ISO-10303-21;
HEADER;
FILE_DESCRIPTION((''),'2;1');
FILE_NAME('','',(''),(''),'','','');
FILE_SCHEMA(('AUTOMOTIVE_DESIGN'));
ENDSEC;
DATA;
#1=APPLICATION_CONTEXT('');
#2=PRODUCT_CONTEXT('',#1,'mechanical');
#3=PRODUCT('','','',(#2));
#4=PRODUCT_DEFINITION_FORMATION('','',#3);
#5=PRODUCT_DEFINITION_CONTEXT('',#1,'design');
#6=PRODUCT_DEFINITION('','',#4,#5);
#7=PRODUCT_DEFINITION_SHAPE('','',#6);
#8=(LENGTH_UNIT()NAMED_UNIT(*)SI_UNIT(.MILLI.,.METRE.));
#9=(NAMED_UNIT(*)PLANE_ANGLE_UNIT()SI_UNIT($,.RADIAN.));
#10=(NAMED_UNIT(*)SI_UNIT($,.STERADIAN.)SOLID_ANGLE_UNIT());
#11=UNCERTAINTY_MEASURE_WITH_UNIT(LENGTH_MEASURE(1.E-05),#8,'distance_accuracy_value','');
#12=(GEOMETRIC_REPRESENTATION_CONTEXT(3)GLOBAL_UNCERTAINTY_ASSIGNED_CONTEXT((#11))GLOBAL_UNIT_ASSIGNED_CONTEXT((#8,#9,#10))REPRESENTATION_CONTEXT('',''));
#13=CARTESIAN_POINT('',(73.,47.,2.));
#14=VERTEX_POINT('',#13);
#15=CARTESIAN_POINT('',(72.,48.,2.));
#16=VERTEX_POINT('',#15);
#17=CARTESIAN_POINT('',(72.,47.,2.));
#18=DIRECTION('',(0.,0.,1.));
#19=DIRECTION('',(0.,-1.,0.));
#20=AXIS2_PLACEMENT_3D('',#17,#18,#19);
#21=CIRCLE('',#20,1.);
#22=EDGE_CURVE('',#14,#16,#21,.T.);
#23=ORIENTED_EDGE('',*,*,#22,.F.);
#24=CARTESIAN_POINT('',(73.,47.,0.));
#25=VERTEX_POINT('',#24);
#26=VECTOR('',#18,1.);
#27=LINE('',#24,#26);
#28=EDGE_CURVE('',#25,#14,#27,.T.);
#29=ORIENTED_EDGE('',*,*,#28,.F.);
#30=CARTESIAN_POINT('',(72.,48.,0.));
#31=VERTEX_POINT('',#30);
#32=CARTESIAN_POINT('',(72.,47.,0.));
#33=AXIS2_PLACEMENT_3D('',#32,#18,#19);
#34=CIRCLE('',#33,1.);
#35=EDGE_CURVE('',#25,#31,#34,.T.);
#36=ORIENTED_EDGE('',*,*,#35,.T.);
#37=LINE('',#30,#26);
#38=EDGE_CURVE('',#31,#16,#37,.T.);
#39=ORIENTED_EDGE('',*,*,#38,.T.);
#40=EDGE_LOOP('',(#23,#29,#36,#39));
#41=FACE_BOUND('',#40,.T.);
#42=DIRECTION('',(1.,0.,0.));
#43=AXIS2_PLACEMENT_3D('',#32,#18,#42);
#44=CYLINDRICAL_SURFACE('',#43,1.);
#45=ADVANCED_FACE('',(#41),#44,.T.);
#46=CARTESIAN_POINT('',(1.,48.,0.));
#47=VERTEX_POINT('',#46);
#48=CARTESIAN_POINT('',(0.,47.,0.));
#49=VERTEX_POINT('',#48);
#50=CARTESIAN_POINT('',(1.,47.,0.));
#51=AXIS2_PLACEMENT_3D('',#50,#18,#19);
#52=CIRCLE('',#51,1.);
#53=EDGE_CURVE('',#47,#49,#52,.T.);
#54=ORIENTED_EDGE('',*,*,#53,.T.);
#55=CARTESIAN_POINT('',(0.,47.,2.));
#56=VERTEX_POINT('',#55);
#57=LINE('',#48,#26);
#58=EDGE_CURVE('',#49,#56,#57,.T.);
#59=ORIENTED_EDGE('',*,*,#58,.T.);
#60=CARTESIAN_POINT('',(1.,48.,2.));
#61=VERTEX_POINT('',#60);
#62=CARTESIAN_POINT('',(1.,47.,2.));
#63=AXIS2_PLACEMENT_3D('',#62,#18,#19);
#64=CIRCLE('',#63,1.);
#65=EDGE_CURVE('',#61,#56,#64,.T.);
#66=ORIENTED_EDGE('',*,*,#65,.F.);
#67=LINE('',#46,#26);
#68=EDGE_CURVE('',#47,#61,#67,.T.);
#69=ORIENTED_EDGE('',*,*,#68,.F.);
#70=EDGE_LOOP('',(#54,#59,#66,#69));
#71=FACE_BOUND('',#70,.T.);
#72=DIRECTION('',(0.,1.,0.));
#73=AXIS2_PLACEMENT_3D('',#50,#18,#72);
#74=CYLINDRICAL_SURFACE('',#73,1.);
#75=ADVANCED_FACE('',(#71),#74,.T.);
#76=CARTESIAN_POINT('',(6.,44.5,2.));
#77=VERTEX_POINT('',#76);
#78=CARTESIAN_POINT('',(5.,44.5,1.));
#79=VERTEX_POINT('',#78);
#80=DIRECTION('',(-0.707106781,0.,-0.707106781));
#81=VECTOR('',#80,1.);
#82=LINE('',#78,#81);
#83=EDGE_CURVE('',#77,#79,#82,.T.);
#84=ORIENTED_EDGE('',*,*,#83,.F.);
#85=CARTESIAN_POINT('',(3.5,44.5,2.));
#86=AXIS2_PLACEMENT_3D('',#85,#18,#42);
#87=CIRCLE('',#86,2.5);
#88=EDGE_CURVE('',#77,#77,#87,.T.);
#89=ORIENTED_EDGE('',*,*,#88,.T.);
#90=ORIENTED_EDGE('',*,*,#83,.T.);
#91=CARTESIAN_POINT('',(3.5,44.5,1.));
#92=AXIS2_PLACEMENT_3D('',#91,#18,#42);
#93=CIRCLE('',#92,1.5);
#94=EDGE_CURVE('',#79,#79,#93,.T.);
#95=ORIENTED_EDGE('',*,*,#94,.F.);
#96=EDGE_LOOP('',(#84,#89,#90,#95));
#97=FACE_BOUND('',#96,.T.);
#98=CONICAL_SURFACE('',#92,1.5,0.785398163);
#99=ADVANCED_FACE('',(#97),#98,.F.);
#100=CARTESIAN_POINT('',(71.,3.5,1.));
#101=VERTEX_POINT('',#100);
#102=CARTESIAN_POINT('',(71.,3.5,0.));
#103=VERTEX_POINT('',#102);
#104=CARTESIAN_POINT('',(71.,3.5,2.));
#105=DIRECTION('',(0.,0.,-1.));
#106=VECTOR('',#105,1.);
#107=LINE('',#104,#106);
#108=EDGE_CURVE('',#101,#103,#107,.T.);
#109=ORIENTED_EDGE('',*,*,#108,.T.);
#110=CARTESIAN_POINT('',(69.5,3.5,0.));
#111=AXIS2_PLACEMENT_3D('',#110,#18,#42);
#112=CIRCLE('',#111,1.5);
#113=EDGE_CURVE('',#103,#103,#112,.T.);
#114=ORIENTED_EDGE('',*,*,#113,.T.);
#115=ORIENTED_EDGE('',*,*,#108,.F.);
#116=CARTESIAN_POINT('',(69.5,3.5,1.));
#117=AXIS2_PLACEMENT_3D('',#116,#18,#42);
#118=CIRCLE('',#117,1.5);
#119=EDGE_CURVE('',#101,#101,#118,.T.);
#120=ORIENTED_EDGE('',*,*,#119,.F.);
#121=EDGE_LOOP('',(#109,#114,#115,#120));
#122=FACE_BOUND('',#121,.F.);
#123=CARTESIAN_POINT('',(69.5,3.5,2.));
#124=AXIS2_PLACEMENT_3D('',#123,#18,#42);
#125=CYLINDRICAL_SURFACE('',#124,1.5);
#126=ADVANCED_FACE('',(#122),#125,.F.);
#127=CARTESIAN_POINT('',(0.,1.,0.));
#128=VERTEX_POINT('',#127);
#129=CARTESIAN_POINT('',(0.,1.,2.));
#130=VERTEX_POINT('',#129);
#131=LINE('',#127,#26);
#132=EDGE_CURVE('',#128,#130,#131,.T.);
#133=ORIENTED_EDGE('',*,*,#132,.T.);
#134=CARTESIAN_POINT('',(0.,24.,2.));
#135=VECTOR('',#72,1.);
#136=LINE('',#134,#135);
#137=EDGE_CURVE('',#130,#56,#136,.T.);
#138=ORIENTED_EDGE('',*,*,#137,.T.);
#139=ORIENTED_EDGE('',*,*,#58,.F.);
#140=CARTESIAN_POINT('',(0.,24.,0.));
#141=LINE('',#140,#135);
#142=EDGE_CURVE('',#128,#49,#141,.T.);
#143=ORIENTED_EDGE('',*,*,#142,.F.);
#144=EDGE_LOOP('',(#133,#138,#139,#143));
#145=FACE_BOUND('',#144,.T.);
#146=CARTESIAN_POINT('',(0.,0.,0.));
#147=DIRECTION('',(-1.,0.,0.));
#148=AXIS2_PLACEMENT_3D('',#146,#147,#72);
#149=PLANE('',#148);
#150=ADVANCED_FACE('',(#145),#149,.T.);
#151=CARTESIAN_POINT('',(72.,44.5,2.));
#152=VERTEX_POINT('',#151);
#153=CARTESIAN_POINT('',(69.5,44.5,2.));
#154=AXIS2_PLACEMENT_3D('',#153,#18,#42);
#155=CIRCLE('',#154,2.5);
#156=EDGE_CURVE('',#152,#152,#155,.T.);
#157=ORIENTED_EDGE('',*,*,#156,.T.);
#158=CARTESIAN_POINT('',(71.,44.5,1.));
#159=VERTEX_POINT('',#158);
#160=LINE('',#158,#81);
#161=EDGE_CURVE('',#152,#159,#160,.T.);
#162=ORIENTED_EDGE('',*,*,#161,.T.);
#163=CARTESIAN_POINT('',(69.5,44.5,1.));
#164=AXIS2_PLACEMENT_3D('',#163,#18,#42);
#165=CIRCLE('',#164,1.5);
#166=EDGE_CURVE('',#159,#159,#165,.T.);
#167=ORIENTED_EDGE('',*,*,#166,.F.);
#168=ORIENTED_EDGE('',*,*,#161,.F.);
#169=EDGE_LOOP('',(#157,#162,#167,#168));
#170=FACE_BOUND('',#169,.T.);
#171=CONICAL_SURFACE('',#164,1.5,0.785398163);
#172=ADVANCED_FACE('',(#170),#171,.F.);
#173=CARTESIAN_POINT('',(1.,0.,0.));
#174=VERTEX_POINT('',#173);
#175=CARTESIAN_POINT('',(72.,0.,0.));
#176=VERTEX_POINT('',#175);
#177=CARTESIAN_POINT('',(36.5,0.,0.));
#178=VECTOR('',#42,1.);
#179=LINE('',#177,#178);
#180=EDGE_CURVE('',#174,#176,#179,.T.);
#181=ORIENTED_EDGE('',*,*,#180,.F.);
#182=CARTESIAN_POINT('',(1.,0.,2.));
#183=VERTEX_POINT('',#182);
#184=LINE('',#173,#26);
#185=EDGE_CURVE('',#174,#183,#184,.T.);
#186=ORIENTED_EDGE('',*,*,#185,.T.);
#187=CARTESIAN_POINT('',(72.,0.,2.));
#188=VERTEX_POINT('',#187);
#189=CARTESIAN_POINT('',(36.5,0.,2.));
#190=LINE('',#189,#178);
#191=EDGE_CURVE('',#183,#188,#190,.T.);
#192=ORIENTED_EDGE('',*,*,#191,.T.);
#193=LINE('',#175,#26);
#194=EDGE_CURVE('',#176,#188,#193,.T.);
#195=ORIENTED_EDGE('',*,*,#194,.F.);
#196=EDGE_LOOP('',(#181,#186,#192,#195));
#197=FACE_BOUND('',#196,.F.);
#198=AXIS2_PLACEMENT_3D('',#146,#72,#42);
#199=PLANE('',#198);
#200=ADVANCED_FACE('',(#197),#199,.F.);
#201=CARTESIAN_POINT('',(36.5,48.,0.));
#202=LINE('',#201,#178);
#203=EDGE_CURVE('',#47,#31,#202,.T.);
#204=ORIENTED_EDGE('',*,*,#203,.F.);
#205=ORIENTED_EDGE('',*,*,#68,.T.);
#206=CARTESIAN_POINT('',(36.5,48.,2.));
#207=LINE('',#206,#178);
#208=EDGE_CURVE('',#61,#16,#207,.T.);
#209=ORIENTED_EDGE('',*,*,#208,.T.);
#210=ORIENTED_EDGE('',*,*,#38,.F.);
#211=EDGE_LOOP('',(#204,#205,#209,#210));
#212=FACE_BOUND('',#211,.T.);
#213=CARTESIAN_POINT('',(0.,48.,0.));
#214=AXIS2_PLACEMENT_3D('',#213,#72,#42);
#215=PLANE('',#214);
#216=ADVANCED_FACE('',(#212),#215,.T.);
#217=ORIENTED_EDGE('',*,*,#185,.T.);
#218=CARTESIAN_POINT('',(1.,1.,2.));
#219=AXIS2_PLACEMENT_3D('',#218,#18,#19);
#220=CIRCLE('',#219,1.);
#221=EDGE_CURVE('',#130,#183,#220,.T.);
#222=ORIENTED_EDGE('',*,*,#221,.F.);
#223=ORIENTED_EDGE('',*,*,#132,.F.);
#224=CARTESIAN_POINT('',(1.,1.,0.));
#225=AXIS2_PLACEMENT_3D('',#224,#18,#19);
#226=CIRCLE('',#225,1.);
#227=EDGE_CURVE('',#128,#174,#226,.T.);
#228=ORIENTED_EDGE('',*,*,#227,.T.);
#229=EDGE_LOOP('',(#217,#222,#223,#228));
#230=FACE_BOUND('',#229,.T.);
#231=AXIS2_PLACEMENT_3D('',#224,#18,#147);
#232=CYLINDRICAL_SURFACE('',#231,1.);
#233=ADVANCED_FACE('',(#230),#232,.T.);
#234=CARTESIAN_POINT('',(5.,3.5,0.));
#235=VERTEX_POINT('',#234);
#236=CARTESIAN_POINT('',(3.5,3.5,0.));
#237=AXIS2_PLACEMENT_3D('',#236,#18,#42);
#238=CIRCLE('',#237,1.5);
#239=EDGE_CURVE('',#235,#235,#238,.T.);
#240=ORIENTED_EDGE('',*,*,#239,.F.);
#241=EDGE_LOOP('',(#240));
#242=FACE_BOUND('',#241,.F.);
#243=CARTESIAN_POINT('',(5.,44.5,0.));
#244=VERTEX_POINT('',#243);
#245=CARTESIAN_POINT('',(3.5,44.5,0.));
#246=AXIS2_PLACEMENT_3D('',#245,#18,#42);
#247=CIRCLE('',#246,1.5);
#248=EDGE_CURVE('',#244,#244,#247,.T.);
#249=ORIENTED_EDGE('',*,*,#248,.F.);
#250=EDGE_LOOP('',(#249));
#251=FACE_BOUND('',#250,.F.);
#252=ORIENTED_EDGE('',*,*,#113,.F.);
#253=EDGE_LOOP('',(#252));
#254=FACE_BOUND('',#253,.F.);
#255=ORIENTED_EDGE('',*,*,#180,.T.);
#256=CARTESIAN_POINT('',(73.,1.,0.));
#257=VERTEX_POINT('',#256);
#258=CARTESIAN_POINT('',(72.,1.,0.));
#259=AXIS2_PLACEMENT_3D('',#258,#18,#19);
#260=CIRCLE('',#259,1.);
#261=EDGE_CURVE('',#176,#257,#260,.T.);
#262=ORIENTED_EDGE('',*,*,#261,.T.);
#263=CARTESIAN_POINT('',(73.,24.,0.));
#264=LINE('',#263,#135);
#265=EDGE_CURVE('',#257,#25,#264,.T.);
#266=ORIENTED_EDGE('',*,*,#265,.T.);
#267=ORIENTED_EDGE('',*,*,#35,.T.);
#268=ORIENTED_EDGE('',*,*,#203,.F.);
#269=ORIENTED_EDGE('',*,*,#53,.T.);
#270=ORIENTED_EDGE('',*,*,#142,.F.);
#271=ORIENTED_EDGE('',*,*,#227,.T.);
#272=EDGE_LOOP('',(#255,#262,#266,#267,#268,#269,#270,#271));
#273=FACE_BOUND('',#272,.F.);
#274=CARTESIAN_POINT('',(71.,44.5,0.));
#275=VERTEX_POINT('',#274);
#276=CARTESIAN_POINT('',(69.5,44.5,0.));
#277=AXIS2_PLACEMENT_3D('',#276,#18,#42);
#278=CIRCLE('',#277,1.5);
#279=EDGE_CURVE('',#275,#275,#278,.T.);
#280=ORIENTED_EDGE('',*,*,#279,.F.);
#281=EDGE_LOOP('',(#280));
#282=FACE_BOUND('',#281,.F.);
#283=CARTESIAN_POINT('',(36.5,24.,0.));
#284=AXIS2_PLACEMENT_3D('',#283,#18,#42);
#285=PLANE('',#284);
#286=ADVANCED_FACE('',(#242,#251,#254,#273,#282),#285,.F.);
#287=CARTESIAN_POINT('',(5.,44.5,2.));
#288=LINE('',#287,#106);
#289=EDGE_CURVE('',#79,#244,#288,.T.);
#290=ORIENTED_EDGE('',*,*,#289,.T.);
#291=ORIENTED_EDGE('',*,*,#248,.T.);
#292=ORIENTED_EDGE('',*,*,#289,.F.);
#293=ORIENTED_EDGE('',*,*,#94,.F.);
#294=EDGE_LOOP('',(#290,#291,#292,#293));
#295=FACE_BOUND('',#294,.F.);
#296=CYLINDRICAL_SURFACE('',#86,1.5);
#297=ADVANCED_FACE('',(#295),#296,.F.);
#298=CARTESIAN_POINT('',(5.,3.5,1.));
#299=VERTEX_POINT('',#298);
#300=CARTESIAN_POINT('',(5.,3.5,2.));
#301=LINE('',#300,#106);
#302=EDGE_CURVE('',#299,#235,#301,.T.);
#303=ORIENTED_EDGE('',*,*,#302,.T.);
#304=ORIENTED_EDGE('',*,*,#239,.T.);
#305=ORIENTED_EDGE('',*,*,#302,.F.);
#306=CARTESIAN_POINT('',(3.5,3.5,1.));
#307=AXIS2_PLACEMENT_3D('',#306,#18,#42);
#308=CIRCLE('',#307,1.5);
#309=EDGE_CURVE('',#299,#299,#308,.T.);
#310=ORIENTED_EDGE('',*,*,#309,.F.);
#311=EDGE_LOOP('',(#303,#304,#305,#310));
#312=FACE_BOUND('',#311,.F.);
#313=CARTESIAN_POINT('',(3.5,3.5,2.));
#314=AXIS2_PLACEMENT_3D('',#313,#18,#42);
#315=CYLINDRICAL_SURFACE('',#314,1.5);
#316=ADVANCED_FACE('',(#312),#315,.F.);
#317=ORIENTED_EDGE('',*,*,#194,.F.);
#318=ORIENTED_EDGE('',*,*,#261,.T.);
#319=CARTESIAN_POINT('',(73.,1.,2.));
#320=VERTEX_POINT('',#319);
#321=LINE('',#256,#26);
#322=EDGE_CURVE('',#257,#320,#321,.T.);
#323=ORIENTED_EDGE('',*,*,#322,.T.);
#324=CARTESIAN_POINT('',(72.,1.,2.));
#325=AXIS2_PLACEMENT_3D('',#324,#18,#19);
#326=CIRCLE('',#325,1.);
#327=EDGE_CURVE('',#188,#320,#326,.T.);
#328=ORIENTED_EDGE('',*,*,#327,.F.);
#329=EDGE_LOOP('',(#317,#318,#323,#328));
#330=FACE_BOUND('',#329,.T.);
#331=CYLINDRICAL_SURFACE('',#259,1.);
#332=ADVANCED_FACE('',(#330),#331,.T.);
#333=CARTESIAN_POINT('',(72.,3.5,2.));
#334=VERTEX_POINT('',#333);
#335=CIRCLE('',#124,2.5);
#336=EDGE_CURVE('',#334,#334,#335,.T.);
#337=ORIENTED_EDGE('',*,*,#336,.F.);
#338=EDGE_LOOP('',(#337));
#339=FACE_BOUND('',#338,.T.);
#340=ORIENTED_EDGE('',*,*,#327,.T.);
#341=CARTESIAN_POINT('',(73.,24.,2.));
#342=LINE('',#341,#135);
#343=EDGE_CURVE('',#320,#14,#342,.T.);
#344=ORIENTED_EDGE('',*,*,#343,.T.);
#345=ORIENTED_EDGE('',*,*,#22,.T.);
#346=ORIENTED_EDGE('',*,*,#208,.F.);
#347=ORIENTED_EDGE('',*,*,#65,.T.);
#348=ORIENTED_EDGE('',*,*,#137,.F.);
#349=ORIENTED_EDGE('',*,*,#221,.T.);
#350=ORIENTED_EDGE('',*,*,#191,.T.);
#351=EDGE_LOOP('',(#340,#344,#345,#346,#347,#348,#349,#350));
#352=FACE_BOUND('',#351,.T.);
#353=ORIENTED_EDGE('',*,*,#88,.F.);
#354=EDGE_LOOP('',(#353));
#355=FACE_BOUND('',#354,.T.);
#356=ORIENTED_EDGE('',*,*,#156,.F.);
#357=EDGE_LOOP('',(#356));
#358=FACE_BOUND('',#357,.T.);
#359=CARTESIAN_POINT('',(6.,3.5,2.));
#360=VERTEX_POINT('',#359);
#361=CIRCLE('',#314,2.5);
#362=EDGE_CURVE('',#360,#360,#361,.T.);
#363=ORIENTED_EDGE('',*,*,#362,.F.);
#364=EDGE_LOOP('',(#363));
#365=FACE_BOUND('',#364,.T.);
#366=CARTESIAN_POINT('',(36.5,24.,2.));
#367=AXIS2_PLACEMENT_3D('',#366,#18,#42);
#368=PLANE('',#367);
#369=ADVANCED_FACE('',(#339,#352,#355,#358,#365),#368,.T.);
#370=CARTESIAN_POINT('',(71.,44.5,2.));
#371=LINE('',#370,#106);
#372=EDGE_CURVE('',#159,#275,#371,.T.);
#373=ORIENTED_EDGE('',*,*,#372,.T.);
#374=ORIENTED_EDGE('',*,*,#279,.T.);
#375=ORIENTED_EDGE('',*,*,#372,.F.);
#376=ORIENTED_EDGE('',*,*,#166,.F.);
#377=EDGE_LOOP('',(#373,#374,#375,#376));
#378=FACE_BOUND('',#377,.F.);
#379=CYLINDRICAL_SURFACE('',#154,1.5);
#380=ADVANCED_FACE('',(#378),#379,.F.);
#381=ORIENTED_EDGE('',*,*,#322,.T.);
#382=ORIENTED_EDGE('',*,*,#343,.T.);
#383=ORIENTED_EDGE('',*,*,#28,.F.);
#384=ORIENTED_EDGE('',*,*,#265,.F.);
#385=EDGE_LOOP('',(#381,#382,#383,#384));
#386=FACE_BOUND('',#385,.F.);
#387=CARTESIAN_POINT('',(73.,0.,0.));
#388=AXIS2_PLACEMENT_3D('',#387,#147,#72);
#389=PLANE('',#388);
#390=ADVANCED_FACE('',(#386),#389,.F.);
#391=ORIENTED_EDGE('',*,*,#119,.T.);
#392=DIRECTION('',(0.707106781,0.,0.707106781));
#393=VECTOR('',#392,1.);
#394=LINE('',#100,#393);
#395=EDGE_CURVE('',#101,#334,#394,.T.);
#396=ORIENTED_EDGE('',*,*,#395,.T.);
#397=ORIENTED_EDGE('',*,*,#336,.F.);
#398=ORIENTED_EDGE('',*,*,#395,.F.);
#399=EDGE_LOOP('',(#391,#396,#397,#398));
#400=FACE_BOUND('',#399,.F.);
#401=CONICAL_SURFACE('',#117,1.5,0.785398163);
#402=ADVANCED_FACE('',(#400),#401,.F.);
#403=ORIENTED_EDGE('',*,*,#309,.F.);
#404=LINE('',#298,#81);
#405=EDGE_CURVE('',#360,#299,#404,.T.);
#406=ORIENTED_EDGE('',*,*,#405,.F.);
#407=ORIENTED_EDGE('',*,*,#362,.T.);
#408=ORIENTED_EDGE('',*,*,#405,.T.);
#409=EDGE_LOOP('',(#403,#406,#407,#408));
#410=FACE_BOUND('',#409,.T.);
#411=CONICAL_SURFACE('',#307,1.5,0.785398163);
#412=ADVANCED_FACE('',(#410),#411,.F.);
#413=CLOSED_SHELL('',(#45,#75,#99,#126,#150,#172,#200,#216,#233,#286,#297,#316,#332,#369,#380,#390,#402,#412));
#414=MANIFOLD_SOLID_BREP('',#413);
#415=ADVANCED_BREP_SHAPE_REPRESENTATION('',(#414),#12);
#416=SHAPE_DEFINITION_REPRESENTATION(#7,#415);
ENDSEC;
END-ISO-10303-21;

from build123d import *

# Parameters (mm, degrees)
SKETCH_W        = 73
SKETCH_H        = 48
PAD_DEPTH       = 2
FILLET_R        = 1
FILLET001_R     = 1
FILLET002_R     = 1
FILLET003_R     = 1
SKETCH002_R     = 1.5
POCKET_DEPTH    = 5
SKETCH003_R     = 1.5
POCKET001_DEPTH = 5
SKETCH004_R     = 1.5
POCKET002_DEPTH = 5
SKETCH005_R     = 1.5
POCKET003_DEPTH = 5
CHAMFER_SIZE    = 1
CHAMFER001_SIZE = 1
CHAMFER002_SIZE = 1
CHAMFER003_SIZE = 1


with BuildPart() as part:
    # Sketch → Pad (new body)
    with BuildSketch(Plane.XY):
        with Locations((36.5, 24)):
            Rectangle(SKETCH_W, SKETCH_H)
    extrude(amount=PAD_DEPTH)

    # Fillet
    fillet_edges = [part.edges().sort_by_distance(p)[0] for p in [
        (0, 0, 1),
    ]]
    fillet(fillet_edges, radius=FILLET_R)

    # Fillet001
    fillet001_edges = [part.edges().sort_by_distance(p)[0] for p in [
        (73, 0, 1),
    ]]
    fillet(fillet001_edges, radius=FILLET001_R)

    # Fillet002
    fillet002_edges = [part.edges().sort_by_distance(p)[0] for p in [
        (73, 48, 1),
    ]]
    fillet(fillet002_edges, radius=FILLET002_R)

    # Fillet003
    fillet003_edges = [part.edges().sort_by_distance(p)[0] for p in [
        (0, 48, 1),
    ]]
    fillet(fillet003_edges, radius=FILLET003_R)

    # Sketch002 (on Face10 of Fillet003) → Pocket (cut)
    with BuildSketch(Plane.XY.offset(2)):
        with Locations((3.5, 3.5)):
            Circle(SKETCH002_R)
    extrude(amount=-POCKET_DEPTH, mode=Mode.SUBTRACT)

    # Sketch003 (on Face11 of Pocket) → Pocket001 (cut)
    with BuildSketch(Plane.XY.offset(2)):
        with Locations((3.5, 44.5)):
            Circle(SKETCH003_R)
    extrude(amount=-POCKET001_DEPTH, mode=Mode.SUBTRACT)

    # Sketch004 (on Face12 of Pocket001) → Pocket002 (cut)
    with BuildSketch(Plane.XY.offset(2)):
        with Locations((69.5, 44.5)):
            Circle(SKETCH004_R)
    extrude(amount=-POCKET002_DEPTH, mode=Mode.SUBTRACT)

    # Sketch005 (on Face13 of Pocket002) → Pocket003 (cut)
    with BuildSketch(Plane.XY.offset(2)):
        with Locations((69.5, 3.5)):
            Circle(SKETCH005_R)
    extrude(amount=-POCKET003_DEPTH, mode=Mode.SUBTRACT)

    # Chamfer
    chamfer_edges = [part.edges().sort_by_distance(p)[0] for p in [
        (68, 3.5, 2),
    ]]
    chamfer(chamfer_edges, length=CHAMFER_SIZE)

    # Chamfer001
    chamfer001_edges = [part.edges().sort_by_distance(p)[0] for p in [
        (2, 44.5, 2),
    ]]
    chamfer(chamfer001_edges, length=CHAMFER001_SIZE)

    # Chamfer002
    chamfer002_edges = [part.edges().sort_by_distance(p)[0] for p in [
        (68, 44.5, 2),
    ]]
    chamfer(chamfer002_edges, length=CHAMFER002_SIZE)

    # Chamfer003
    chamfer003_edges = [part.edges().sort_by_distance(p)[0] for p in [
        (2, 3.5, 2),
    ]]
    chamfer(chamfer003_edges, length=CHAMFER003_SIZE)


solid = part.part
